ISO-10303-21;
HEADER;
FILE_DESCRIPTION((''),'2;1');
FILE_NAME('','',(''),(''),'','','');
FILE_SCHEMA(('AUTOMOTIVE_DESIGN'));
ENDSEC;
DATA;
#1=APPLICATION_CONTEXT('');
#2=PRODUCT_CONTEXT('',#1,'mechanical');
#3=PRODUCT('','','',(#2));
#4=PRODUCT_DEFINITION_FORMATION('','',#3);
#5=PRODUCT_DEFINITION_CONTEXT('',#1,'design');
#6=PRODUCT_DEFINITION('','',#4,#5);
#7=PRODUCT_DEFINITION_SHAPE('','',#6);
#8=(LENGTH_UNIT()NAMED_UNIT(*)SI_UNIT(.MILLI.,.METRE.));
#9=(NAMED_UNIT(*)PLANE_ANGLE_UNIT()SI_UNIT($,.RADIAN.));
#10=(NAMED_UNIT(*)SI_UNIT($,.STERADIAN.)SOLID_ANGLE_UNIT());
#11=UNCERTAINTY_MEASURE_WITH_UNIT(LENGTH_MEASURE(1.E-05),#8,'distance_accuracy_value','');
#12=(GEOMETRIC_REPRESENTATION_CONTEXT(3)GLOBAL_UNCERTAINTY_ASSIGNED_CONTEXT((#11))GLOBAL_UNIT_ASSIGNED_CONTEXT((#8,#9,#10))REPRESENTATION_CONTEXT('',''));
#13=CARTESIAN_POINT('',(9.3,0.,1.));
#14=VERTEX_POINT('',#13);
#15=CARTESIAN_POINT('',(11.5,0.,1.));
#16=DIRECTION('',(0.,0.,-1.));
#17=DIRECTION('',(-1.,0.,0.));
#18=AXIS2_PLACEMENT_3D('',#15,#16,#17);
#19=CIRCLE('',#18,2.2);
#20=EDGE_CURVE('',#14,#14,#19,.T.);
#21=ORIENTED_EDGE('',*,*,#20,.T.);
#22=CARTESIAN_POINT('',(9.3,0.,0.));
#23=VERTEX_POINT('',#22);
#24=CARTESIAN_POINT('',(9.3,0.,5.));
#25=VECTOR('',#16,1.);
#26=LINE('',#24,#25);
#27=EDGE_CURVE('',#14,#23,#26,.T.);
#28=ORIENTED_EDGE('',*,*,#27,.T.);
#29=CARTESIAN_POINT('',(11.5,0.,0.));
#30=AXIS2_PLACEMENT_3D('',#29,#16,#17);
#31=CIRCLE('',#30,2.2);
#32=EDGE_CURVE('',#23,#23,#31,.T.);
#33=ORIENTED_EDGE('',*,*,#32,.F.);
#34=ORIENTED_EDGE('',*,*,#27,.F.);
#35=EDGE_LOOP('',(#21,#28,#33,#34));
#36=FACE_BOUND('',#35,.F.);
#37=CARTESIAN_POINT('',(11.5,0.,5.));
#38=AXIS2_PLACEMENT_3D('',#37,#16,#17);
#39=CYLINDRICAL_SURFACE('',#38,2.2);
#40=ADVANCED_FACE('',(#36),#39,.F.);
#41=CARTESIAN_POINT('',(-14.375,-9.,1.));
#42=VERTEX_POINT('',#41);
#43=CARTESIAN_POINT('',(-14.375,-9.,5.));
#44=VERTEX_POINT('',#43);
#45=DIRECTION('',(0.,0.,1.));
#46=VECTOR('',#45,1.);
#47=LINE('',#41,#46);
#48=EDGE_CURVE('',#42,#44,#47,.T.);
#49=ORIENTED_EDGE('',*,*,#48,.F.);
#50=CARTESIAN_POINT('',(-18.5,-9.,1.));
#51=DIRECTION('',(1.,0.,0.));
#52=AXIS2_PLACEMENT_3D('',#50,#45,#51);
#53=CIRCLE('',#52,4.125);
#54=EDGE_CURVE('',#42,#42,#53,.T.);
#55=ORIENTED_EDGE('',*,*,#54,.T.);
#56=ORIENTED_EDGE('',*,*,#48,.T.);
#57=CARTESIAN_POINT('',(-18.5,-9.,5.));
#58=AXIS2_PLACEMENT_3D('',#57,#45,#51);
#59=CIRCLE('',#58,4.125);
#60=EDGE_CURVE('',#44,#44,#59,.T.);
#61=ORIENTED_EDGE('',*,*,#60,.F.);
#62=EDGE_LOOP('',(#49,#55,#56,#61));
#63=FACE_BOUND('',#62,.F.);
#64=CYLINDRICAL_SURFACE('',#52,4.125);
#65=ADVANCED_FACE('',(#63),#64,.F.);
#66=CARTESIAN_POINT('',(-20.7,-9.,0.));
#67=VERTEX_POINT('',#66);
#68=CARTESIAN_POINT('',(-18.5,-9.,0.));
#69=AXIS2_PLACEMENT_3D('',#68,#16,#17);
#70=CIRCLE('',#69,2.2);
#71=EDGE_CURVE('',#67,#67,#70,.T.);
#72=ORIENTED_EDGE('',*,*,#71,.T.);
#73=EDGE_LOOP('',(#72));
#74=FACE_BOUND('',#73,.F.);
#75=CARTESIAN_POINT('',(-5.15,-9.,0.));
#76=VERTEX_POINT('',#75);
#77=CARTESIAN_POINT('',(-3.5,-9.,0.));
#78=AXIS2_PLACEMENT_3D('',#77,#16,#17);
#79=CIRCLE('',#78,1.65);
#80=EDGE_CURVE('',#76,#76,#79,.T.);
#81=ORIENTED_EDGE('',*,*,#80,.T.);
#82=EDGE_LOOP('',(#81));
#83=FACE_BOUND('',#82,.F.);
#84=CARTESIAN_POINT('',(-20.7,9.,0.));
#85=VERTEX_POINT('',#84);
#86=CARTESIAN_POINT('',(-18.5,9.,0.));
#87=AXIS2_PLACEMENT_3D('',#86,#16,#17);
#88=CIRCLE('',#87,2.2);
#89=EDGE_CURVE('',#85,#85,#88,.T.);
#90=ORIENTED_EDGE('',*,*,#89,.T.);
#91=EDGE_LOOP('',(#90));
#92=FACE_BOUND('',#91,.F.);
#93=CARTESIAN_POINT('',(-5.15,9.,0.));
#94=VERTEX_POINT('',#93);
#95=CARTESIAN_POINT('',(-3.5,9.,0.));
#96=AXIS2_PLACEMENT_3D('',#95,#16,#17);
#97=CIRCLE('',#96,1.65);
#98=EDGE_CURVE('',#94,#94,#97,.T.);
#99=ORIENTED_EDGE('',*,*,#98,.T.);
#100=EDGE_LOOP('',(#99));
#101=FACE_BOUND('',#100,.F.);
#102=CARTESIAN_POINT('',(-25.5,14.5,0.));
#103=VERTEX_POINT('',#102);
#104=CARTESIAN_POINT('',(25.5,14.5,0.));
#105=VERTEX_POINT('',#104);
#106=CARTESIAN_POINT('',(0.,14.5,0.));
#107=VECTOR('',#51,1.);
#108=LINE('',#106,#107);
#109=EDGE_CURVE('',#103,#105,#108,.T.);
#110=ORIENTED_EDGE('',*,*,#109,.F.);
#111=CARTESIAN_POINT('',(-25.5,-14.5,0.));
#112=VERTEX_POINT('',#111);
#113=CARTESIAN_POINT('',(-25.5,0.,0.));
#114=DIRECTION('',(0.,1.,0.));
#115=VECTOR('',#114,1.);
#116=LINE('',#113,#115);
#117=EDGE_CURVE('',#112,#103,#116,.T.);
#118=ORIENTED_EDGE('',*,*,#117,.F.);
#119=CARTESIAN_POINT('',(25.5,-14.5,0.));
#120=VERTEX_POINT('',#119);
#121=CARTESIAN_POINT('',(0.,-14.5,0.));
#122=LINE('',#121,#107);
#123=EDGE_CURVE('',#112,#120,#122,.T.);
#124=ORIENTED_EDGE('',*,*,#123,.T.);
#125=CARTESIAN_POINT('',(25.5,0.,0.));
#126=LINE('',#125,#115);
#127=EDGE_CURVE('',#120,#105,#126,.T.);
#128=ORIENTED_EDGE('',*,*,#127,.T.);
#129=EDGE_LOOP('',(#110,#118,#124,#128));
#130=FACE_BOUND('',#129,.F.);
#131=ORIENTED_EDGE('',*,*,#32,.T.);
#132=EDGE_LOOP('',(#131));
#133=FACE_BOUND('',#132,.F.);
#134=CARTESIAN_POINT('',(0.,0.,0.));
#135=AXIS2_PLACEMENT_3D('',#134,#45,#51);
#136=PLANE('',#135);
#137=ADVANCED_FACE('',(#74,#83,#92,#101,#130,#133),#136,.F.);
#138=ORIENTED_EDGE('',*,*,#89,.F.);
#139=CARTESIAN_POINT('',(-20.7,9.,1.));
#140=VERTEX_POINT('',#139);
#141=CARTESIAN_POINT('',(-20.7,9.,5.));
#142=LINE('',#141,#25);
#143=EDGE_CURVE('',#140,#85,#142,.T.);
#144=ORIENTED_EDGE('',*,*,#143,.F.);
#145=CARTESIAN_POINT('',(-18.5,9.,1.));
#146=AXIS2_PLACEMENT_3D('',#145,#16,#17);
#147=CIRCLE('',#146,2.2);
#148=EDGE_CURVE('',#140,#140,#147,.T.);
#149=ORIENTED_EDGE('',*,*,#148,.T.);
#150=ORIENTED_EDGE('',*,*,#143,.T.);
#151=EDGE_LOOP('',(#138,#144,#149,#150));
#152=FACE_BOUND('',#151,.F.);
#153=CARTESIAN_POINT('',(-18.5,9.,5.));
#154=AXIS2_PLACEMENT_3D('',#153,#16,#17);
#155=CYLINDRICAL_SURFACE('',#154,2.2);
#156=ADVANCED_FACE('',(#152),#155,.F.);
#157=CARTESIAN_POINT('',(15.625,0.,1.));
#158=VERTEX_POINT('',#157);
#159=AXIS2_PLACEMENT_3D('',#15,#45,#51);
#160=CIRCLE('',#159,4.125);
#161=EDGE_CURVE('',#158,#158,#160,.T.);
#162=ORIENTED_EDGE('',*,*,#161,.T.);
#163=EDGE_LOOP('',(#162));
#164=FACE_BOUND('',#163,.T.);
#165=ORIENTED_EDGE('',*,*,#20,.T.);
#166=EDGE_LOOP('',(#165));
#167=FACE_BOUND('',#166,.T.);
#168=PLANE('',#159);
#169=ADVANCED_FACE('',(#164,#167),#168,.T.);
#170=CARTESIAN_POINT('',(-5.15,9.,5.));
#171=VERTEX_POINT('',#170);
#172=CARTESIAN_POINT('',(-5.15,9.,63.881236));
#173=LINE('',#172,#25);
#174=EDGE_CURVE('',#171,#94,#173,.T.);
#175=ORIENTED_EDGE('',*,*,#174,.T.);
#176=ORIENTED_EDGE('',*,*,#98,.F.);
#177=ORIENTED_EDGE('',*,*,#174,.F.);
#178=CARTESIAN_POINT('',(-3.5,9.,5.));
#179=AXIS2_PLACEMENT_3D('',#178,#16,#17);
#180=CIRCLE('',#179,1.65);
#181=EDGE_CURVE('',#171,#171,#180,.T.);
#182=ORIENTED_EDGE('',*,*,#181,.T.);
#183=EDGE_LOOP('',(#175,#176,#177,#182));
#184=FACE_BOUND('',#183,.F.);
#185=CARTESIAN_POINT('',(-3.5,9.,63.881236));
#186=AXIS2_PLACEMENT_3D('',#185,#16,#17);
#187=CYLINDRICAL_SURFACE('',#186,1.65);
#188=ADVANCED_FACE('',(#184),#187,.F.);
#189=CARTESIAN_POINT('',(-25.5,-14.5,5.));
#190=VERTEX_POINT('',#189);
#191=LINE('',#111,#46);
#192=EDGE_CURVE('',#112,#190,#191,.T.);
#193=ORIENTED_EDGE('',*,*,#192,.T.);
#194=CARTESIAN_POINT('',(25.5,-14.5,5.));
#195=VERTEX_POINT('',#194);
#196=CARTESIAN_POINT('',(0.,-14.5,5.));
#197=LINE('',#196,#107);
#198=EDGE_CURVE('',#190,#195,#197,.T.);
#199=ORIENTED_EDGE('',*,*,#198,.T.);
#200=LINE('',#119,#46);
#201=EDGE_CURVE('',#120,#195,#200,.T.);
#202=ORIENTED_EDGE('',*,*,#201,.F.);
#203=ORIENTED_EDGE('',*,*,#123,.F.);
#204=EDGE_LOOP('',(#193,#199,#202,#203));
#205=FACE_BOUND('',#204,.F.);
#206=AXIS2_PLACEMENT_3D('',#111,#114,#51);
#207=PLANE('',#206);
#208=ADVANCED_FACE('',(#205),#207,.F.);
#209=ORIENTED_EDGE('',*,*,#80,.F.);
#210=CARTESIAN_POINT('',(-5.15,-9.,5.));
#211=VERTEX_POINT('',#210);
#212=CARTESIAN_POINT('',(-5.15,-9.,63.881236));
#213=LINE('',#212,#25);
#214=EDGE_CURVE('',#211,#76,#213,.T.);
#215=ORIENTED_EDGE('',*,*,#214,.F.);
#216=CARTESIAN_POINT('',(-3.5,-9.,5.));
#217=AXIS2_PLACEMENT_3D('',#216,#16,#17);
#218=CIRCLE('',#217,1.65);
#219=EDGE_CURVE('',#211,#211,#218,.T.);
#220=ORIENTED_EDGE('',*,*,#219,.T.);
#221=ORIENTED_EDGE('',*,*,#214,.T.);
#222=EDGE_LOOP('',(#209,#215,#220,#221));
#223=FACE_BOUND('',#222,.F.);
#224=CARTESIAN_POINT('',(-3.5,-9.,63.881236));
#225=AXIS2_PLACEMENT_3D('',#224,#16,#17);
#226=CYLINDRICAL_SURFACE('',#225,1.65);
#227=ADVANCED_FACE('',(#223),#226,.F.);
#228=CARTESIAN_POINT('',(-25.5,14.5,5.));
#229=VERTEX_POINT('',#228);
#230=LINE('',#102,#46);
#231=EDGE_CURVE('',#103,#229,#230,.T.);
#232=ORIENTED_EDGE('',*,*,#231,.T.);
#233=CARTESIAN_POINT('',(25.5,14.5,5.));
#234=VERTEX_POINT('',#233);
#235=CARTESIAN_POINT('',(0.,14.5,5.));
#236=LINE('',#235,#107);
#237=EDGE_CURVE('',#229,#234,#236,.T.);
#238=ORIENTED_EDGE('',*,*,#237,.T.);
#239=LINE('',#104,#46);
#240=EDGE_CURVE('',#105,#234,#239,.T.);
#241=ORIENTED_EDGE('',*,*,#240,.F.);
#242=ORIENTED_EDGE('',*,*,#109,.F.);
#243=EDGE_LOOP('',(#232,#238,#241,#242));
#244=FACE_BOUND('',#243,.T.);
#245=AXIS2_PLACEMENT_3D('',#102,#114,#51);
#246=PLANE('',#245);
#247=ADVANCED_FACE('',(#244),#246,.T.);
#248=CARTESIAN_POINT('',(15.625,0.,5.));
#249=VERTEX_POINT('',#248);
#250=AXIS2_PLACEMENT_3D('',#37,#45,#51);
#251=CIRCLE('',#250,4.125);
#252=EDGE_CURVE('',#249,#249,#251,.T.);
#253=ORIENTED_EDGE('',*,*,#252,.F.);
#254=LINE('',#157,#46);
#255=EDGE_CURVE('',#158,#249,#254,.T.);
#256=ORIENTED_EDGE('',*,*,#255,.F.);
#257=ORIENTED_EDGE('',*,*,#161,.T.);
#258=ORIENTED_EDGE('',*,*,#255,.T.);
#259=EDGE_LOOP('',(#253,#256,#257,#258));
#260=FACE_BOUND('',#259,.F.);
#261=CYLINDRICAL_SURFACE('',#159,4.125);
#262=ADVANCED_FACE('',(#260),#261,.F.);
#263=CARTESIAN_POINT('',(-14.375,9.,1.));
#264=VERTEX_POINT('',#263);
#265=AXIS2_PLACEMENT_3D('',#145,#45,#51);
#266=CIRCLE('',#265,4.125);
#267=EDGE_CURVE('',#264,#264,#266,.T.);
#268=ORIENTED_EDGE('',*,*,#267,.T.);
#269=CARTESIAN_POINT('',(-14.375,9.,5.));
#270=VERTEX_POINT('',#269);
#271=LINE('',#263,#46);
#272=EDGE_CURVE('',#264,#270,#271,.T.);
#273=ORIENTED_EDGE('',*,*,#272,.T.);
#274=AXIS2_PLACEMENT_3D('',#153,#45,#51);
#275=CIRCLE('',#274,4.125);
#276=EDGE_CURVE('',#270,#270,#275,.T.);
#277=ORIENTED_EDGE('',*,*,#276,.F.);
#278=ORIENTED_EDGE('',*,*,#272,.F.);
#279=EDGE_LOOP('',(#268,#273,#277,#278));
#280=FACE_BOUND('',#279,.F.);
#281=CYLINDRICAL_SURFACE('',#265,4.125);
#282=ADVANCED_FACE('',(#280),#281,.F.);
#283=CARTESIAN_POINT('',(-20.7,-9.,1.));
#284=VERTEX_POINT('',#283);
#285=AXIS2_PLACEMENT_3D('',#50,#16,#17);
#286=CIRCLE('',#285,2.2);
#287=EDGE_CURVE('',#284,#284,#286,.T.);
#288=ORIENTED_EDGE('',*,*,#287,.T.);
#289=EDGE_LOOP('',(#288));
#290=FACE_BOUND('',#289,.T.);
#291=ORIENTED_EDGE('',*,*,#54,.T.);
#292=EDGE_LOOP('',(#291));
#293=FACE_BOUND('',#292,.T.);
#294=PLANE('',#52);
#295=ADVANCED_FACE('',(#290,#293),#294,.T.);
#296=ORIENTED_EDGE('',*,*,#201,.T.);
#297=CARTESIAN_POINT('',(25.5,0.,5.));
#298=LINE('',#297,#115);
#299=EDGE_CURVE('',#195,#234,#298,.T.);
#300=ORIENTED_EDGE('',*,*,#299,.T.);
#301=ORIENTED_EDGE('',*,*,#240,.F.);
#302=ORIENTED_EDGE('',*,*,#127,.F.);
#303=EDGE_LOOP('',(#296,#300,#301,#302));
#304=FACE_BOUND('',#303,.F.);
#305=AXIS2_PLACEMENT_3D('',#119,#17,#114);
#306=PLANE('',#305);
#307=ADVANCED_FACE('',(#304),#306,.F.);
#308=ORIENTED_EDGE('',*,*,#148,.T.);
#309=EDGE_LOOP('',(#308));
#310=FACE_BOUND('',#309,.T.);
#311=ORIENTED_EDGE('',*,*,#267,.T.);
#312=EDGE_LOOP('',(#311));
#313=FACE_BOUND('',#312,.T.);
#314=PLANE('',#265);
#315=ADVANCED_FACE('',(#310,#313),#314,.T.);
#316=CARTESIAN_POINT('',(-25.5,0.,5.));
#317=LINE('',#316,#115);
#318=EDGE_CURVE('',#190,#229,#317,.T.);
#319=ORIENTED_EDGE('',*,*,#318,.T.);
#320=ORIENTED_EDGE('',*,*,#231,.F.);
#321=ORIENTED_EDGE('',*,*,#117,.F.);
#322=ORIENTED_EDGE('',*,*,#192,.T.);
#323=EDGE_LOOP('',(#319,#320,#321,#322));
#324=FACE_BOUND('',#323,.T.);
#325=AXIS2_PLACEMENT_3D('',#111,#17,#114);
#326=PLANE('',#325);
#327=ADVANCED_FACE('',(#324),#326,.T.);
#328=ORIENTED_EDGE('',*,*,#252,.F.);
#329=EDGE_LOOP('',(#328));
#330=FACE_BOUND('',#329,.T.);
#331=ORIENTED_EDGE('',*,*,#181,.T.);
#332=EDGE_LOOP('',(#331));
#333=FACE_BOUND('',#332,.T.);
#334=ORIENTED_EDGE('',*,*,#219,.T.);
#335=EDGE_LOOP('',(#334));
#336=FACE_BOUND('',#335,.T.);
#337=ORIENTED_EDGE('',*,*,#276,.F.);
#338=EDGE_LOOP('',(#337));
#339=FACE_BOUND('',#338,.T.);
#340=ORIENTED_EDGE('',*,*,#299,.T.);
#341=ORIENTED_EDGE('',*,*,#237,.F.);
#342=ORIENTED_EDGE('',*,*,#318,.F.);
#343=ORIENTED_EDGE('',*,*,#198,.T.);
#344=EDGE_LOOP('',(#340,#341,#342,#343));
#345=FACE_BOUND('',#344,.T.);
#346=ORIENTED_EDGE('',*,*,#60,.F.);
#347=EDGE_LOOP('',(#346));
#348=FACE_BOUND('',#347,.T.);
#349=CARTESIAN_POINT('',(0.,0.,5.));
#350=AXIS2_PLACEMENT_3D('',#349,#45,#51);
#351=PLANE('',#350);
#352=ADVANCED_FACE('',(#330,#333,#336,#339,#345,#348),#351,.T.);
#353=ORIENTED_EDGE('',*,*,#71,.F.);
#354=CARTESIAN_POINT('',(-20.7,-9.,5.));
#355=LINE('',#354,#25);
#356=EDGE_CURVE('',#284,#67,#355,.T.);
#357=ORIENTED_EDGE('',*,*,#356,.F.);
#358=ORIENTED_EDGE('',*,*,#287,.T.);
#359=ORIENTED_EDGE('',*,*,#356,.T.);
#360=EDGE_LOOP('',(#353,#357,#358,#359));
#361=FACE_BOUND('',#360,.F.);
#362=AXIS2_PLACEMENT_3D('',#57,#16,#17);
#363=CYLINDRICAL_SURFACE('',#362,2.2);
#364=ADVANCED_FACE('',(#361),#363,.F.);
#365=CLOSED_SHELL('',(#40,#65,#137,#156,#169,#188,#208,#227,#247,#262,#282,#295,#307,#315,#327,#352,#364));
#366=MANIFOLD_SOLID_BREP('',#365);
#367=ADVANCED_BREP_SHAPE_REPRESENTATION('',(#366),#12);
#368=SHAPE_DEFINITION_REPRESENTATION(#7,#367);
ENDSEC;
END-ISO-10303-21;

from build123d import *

# Parameters (mm, degrees)
F0_W           = 51
F0_H           = 29
F1_DEPTH       = 5
F3_D           = 4.4
F3_DEPTH       = 6
F3_CBORE_D     = 8.25
F3_CBORE_DEPTH = 4
F3_TIP         = 1.3218933619
F5_D           = 3.3


with BuildPart() as f1:
    # F0 (on Top) → F1 (new body)
    with BuildSketch(Plane.XY):
        Rectangle(F0_W, F0_H)
    extrude(amount=F1_DEPTH)

    # F3
    with Locations(Plane.XY.offset(5)):
        with Locations((-18.5, 9), (-18.5, -9), (11.5, 0)):
            CounterBoreHole(F3_D / 2, F3_CBORE_D / 2, F3_CBORE_DEPTH, depth=F3_DEPTH)
            with Locations((0, 0, -(F3_DEPTH + F3_TIP / 2))):  # 118° drill point
                Cone(0, F3_D / 2, F3_TIP, mode=Mode.SUBTRACT)

    # F5 (through all)
    with Locations(Plane.XY.offset(5)):
        with Locations((-3.5, 9), (-3.5, -9)):
            Hole(F5_D / 2)


solid = f1.part
